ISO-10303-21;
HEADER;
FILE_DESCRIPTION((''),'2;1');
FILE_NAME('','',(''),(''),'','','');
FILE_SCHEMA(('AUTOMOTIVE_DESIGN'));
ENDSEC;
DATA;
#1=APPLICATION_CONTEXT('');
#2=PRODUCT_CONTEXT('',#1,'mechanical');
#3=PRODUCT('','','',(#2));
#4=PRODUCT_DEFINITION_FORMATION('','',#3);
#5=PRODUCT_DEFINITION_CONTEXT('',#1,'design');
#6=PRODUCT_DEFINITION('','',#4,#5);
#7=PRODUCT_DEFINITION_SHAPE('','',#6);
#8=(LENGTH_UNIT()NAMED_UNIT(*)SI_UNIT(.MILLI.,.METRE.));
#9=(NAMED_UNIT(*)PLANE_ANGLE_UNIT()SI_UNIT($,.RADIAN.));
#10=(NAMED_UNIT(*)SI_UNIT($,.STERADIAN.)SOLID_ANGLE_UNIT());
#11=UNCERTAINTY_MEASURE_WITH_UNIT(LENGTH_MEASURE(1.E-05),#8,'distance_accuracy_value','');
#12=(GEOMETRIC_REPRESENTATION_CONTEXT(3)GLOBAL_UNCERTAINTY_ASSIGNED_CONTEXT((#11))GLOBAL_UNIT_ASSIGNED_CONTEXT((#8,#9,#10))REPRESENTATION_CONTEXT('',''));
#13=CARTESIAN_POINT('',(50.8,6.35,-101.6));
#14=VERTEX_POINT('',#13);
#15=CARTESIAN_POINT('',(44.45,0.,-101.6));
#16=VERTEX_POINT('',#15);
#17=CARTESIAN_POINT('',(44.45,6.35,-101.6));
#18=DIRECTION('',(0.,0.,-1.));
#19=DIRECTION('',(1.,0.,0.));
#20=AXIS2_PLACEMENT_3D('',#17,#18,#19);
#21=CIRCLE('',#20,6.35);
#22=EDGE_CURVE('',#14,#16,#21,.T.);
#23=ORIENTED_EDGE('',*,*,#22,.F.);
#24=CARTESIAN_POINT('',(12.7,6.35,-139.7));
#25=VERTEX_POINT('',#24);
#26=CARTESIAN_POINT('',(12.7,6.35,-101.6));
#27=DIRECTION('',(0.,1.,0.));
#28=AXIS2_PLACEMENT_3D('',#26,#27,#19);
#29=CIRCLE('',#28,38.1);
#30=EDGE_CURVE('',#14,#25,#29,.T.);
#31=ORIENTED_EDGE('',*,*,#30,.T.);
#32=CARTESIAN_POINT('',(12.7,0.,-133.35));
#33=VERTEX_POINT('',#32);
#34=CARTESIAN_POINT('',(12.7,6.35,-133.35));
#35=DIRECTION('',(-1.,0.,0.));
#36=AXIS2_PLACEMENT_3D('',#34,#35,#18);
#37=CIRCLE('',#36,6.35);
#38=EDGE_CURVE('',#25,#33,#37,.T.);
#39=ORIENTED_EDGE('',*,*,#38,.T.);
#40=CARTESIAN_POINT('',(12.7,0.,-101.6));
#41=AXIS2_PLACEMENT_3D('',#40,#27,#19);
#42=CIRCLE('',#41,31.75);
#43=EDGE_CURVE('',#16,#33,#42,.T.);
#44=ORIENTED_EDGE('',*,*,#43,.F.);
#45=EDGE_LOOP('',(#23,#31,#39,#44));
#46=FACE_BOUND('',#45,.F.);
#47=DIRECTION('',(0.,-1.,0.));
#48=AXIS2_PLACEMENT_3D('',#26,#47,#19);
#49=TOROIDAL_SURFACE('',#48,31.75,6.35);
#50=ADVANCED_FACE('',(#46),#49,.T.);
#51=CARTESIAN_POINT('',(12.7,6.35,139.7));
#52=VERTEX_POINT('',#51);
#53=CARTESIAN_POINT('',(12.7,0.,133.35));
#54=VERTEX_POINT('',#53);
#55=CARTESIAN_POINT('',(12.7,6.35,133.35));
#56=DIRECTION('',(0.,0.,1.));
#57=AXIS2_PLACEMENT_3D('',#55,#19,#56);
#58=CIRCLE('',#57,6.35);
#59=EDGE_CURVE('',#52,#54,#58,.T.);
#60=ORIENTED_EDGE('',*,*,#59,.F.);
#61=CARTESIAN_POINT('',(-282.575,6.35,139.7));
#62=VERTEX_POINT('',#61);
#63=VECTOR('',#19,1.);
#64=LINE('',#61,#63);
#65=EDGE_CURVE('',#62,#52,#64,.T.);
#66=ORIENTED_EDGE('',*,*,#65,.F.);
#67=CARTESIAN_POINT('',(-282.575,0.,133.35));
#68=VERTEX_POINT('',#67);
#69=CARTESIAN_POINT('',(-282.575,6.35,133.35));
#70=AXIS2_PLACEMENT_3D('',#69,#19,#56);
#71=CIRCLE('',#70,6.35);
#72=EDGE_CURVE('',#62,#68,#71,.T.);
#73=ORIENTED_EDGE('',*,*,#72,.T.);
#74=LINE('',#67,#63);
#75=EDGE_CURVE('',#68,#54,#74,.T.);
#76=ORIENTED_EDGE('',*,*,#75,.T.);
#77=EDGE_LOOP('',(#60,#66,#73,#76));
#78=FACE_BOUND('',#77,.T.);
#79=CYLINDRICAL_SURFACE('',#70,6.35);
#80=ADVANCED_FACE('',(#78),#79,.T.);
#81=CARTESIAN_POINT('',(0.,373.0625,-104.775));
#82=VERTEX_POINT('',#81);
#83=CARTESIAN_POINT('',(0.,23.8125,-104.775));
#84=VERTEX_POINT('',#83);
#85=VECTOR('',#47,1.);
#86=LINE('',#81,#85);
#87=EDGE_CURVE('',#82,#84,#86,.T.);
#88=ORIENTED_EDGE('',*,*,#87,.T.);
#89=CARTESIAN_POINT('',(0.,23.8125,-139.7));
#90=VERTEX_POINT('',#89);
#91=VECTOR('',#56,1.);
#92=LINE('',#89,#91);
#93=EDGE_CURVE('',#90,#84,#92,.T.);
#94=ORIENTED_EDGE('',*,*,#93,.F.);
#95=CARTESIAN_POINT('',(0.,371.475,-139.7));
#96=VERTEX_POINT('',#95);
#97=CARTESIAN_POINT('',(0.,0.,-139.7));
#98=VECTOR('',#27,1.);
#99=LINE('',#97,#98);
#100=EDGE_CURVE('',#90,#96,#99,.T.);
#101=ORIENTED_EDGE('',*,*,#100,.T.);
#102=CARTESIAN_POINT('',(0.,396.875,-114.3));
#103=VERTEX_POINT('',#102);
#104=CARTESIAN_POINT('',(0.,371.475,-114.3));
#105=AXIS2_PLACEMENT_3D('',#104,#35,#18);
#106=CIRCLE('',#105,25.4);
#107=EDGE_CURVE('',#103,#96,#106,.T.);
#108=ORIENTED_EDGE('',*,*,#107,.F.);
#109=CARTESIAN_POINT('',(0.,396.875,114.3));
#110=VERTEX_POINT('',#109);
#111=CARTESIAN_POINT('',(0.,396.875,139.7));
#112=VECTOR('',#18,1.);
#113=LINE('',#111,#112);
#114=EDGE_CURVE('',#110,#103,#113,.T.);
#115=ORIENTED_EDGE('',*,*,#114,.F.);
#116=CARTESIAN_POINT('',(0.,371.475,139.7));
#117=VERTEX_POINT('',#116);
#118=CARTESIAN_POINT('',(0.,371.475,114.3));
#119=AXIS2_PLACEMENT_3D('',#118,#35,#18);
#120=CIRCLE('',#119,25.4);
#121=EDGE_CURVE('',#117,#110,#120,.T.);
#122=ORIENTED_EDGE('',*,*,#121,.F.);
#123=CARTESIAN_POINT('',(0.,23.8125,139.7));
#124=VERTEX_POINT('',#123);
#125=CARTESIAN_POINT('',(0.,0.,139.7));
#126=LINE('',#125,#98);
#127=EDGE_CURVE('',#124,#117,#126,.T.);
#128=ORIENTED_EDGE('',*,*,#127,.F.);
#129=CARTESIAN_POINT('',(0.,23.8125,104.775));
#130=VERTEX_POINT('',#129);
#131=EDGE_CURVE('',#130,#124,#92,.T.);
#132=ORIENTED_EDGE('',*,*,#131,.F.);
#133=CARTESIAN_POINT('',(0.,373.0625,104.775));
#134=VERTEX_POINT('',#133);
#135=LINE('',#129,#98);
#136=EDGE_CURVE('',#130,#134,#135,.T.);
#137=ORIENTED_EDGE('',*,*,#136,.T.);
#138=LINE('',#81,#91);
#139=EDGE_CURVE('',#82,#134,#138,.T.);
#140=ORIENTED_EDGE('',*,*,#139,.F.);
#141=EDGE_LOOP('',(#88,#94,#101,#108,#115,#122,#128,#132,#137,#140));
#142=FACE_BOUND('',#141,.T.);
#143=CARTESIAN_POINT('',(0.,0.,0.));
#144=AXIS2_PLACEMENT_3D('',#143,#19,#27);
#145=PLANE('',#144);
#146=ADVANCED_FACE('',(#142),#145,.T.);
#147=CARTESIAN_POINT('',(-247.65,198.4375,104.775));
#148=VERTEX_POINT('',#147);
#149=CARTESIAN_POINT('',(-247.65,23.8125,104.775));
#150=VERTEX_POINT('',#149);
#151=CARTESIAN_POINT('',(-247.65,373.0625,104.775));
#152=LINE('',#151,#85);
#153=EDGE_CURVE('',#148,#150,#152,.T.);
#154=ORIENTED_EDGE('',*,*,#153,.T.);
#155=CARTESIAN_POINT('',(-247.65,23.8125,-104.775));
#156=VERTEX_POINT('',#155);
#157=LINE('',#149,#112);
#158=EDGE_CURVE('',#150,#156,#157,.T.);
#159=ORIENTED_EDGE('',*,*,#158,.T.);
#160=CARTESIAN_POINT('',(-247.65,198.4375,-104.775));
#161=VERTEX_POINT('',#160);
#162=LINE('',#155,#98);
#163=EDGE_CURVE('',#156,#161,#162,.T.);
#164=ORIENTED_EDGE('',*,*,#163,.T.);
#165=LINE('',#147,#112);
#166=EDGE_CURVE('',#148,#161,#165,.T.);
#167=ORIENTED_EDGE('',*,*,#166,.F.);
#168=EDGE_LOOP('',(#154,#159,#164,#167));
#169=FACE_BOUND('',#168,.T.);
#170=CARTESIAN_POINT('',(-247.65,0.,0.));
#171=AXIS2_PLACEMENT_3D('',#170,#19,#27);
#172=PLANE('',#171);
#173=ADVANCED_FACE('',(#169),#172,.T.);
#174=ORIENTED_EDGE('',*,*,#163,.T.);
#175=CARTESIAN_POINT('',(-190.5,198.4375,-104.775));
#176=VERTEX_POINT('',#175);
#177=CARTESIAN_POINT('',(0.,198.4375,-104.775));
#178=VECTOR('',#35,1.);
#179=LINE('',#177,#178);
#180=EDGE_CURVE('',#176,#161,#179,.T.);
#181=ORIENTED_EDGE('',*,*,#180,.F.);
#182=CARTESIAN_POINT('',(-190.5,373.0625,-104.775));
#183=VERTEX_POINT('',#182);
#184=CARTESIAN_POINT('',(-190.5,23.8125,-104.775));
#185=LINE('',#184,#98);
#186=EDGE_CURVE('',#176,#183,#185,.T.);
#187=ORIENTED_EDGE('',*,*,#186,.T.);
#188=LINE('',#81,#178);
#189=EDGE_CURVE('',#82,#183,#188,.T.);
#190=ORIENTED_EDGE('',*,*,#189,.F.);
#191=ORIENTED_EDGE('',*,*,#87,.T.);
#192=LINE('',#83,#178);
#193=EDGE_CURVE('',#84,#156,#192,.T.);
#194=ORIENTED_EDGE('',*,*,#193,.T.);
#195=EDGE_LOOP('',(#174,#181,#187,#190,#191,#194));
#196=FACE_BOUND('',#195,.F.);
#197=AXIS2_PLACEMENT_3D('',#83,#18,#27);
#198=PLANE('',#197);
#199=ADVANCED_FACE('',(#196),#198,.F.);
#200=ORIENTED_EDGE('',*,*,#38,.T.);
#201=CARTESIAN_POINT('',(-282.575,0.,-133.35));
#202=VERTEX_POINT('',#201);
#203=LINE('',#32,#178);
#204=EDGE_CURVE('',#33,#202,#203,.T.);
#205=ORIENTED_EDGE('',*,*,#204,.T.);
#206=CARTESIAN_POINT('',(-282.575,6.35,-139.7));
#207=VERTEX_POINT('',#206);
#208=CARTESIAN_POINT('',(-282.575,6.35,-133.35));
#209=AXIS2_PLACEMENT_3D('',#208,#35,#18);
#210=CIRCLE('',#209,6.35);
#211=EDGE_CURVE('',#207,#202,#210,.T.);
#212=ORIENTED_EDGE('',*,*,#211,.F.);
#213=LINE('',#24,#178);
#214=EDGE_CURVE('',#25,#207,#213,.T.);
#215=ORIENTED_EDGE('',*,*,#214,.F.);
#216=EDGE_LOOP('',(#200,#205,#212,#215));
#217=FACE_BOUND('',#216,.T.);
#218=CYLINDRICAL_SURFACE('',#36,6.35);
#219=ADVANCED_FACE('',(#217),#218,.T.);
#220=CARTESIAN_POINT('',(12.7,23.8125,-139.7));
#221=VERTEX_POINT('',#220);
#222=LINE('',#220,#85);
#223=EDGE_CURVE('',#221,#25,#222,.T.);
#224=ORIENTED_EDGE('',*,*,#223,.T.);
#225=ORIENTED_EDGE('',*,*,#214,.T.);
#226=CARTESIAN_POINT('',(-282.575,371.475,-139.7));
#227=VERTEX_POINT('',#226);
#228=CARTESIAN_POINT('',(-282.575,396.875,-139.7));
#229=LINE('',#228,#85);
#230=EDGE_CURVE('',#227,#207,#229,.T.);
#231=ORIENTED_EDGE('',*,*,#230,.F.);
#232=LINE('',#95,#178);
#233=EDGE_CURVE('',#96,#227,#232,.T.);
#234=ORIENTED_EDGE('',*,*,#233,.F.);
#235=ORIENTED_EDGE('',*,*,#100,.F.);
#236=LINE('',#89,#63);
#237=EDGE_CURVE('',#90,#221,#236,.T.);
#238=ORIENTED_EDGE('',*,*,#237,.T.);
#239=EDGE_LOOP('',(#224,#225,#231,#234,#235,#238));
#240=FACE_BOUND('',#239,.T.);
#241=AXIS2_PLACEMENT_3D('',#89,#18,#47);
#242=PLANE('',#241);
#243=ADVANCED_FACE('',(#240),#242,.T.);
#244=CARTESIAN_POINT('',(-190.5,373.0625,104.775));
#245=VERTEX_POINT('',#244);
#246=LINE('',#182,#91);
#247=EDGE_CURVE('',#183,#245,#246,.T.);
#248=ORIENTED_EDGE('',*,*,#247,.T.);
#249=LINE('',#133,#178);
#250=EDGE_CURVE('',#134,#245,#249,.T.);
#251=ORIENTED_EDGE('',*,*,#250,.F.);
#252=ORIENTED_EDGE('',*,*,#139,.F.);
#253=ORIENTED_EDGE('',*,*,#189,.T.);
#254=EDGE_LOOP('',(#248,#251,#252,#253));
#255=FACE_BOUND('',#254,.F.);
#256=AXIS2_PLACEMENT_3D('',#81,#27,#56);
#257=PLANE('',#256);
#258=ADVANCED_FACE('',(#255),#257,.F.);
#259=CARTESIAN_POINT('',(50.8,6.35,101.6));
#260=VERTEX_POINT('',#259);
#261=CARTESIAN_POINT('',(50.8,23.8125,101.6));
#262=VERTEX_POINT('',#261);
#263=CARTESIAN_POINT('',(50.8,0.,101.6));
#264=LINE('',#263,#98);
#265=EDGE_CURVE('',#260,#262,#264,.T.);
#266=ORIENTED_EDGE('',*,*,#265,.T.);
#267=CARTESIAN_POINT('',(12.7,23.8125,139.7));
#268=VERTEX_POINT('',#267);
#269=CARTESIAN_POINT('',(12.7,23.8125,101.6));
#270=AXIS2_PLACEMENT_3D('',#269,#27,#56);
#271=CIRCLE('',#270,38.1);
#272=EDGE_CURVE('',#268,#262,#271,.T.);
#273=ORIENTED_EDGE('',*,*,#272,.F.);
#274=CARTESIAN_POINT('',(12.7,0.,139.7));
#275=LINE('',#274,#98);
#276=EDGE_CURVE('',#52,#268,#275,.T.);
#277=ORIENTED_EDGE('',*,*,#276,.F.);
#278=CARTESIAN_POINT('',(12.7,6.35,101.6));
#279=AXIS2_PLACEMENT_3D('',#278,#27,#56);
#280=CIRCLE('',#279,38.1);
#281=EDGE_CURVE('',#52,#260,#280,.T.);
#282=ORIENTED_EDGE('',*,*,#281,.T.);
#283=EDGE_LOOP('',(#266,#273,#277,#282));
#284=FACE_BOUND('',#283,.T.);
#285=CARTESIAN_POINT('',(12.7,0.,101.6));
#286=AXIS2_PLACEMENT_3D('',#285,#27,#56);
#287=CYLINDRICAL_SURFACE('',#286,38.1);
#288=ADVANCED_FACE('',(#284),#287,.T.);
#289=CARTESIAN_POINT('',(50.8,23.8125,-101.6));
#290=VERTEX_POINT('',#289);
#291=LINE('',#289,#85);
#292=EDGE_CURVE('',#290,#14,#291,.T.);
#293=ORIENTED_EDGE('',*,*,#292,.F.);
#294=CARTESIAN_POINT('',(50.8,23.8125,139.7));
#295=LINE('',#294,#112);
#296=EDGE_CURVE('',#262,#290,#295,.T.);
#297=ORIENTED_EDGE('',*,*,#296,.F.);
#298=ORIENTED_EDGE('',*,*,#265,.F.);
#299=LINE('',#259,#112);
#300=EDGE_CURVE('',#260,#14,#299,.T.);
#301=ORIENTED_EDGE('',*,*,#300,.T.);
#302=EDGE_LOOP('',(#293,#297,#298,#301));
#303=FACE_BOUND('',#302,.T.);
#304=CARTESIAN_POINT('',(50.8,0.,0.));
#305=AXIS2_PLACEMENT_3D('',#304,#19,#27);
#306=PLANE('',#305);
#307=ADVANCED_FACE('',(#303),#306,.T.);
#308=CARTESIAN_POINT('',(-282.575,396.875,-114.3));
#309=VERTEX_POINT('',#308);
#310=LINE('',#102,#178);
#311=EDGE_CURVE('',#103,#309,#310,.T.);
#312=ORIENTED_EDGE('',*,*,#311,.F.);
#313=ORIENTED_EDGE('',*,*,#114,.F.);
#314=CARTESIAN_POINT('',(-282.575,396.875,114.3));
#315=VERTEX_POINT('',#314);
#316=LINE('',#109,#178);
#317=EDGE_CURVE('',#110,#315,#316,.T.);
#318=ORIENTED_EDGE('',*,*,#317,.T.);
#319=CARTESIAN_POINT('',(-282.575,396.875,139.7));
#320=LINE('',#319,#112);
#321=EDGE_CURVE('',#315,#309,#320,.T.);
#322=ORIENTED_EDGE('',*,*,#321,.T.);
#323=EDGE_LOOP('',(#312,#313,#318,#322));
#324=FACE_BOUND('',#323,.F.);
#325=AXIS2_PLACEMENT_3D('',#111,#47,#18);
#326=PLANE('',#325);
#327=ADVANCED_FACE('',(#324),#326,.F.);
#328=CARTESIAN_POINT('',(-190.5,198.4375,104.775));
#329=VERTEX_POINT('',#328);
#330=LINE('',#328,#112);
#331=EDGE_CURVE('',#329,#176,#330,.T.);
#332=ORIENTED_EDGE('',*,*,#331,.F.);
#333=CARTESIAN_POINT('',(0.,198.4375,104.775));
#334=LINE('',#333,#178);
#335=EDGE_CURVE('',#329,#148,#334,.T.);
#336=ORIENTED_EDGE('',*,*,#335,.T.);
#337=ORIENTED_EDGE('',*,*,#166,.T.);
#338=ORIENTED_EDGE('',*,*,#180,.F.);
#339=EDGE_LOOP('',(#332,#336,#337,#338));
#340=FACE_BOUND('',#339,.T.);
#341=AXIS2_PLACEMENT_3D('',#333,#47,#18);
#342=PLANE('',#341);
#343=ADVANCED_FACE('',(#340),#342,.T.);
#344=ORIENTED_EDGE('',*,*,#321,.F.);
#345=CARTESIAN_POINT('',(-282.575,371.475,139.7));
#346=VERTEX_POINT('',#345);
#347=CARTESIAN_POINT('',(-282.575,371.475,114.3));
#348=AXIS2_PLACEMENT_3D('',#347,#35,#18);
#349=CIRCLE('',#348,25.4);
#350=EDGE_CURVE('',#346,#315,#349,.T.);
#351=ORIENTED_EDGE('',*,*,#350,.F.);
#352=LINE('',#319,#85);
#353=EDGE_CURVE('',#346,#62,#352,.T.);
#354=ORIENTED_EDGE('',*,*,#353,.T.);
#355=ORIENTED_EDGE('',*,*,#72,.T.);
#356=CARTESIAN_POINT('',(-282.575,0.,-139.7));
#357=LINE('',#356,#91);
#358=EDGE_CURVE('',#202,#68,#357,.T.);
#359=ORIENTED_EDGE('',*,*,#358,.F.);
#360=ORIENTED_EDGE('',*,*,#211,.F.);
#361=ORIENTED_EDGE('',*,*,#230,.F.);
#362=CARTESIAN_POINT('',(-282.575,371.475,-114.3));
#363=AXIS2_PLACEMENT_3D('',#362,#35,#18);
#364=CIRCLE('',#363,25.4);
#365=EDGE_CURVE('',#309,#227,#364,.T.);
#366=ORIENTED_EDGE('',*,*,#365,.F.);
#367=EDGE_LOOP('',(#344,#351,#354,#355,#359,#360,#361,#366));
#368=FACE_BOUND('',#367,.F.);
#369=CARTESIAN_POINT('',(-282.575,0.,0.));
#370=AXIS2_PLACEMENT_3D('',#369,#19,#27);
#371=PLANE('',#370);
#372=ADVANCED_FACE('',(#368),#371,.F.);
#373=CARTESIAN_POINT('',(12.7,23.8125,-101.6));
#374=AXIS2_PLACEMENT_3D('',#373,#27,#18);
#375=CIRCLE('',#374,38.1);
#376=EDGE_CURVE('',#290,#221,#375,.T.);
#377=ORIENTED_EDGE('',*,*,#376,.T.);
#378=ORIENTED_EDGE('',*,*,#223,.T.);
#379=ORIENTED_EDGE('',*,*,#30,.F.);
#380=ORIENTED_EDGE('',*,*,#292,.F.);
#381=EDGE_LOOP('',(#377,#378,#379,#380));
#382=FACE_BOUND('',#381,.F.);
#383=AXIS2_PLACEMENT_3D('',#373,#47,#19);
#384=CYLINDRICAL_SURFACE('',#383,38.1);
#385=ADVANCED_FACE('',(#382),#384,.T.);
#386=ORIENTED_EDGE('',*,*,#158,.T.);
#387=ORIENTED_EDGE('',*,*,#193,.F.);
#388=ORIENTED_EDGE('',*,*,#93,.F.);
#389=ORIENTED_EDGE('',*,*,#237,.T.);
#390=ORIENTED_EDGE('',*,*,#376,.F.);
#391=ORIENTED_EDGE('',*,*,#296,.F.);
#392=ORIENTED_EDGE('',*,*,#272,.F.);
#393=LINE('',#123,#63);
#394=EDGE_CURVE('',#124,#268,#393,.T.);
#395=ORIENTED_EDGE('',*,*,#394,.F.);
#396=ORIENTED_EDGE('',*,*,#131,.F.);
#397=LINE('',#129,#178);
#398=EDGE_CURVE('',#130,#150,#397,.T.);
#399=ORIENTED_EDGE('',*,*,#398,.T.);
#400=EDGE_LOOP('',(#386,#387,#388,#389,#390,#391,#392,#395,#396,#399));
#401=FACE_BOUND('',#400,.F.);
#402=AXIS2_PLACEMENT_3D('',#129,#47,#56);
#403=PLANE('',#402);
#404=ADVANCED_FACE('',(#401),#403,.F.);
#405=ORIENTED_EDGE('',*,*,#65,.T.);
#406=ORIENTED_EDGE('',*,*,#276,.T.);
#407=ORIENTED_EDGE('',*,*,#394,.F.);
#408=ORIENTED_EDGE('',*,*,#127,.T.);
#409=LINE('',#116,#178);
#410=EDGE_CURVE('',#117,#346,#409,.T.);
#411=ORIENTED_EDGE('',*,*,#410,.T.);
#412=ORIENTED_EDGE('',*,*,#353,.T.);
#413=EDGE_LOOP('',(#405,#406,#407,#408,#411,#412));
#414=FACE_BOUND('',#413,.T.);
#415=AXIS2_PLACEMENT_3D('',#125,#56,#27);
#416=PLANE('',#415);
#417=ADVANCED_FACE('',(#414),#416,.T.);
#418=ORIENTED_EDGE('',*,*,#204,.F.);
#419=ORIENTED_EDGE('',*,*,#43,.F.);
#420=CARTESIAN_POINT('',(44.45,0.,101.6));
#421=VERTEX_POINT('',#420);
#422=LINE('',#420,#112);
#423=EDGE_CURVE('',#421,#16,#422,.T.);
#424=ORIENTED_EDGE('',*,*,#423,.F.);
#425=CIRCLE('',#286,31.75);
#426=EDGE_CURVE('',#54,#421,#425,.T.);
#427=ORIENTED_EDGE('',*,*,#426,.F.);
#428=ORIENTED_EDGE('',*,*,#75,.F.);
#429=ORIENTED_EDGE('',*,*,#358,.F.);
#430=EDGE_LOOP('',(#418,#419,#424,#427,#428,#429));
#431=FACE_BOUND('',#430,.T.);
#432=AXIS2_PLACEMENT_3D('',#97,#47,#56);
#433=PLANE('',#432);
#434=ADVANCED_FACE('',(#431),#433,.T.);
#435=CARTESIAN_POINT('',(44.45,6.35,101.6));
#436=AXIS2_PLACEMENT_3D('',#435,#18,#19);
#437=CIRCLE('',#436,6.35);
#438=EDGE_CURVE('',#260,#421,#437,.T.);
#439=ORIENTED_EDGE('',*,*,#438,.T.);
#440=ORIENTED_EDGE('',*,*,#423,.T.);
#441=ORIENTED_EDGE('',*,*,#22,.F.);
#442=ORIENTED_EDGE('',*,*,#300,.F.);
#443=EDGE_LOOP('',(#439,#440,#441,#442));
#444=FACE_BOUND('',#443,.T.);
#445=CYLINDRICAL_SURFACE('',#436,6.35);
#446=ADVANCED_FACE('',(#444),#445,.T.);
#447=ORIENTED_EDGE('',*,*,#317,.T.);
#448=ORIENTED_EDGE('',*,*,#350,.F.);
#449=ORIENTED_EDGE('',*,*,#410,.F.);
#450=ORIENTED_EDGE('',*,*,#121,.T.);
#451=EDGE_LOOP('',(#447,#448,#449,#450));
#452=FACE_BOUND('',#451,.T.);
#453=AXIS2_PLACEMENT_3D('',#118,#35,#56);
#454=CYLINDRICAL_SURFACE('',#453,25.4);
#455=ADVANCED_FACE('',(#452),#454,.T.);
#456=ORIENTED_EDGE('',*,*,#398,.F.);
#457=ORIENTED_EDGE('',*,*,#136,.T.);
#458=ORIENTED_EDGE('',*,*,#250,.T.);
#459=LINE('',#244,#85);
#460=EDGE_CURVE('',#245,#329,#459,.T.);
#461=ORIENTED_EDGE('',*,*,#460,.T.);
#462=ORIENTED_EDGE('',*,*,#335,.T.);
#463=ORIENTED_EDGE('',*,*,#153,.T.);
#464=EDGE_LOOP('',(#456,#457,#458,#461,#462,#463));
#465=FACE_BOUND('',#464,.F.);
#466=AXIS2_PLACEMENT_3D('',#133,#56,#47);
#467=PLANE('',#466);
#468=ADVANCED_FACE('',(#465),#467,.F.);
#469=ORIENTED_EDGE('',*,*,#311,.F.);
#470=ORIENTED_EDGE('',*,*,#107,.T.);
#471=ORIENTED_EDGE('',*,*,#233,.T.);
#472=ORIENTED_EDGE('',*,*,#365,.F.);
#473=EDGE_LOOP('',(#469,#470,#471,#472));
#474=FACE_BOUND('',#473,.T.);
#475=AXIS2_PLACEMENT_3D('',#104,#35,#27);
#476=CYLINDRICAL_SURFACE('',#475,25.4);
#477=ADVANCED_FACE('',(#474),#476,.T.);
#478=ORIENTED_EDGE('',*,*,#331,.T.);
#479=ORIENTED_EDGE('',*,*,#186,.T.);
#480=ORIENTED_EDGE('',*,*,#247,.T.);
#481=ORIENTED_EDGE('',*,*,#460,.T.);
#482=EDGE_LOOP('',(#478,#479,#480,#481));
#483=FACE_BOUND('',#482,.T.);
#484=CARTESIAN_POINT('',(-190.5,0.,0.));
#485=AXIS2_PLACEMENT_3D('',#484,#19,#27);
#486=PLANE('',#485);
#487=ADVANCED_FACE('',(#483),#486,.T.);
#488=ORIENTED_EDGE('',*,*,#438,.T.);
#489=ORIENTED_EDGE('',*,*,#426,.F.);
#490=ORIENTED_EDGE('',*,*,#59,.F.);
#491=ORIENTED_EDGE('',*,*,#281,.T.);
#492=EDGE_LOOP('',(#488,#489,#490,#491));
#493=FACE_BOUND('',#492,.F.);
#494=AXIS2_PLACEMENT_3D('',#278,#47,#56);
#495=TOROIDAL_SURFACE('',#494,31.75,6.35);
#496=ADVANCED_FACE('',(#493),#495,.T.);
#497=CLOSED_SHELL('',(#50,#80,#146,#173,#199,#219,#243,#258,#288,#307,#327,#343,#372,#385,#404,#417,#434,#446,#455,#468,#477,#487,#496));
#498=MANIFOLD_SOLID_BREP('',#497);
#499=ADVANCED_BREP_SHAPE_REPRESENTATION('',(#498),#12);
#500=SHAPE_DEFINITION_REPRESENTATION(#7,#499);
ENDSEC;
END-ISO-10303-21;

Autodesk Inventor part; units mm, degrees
ref_plane "YZ Plane" through (0, 0, 0) normal (1, 0, 0) x (0, 1, 0)
ref_plane "XZ Plane" through (0, 0, 0) normal (0, 1, 0) x (-1, 0, 0)
ref_plane "XY Plane" through (0, 0, 0) normal (0, 0, 1) x (1, 0, 0)
sketch "Sketch1" plane through (0, 0, 0) normal (1, 0, 0) x (0, 1, 0)
  line L0 (0, 139.7) -> (396.875, 139.7)
  line L1 (396.875, 139.7) -> (396.875, -139.7)
  line L2 (396.875, -139.7) -> (0, -139.7)
  line L3 (0, -139.7) -> (0, 139.7)
  line L4 (396.875, -139.7) -> (0, 139.7) construction
  line L5 (23.8125, -104.775) -> (373.0625, -104.775)
  line L6 (373.0625, -104.775) -> (373.0625, 104.775)
  line L7 (373.0625, 104.775) -> (23.8125, 104.775)
  line L8 (23.8125, 104.775) -> (23.8125, -104.775)
  line L9 (23.8125, -104.775) -> (373.0625, 104.775) construction
  line L10 (373.0625, -104.775) -> (23.8125, 104.775) construction
  line L11 (23.8125, 104.775) -> (23.8125, 139.7)
  line L12 (23.8125, -104.775) -> (23.8125, -139.7)
  line L13 (198.4375, 104.775) -> (198.4375, -104.775)
  point P0 (0, 0)
  point P1 (0, 0)
  point P2 (198.4375, 0)
  dimension "d0" = 396.875
  dimension "d1" = 279.4
  dimension "d2" = 349.25
  dimension "d3" = 209.55
extrude "Extrusion1" add sketch "Sketch1" against normal blind 282.575
extrude "Extrusion2" add sketch "Sketch1" along normal blind 50.8 contours L0 L11 L8 L12 L2 L3
extrude "Extrusion3" cut sketch "Sketch1" against normal blind 190.5 contours L7 L6 L5 L13
extrude "Extrusion4" cut sketch "Sketch1" against normal blind 247.65 contours L7 L13 L5 L8
fillet "Fillet3" radius 38.1 2 edges at (50.8, 11.9063, -139.7) (50.8, 11.9062, 139.7)
fillet "Fillet1" radius 25.4 2 edges at (-141.2875, 396.875, 139.7) (-141.2875, 396.875, -139.7)
fillet "Fillet2" radius 6.35 2 edges at (-134.9375, 0, 139.7) (-134.9375, 0, -139.7)
properties part number "Fridge-Body"
